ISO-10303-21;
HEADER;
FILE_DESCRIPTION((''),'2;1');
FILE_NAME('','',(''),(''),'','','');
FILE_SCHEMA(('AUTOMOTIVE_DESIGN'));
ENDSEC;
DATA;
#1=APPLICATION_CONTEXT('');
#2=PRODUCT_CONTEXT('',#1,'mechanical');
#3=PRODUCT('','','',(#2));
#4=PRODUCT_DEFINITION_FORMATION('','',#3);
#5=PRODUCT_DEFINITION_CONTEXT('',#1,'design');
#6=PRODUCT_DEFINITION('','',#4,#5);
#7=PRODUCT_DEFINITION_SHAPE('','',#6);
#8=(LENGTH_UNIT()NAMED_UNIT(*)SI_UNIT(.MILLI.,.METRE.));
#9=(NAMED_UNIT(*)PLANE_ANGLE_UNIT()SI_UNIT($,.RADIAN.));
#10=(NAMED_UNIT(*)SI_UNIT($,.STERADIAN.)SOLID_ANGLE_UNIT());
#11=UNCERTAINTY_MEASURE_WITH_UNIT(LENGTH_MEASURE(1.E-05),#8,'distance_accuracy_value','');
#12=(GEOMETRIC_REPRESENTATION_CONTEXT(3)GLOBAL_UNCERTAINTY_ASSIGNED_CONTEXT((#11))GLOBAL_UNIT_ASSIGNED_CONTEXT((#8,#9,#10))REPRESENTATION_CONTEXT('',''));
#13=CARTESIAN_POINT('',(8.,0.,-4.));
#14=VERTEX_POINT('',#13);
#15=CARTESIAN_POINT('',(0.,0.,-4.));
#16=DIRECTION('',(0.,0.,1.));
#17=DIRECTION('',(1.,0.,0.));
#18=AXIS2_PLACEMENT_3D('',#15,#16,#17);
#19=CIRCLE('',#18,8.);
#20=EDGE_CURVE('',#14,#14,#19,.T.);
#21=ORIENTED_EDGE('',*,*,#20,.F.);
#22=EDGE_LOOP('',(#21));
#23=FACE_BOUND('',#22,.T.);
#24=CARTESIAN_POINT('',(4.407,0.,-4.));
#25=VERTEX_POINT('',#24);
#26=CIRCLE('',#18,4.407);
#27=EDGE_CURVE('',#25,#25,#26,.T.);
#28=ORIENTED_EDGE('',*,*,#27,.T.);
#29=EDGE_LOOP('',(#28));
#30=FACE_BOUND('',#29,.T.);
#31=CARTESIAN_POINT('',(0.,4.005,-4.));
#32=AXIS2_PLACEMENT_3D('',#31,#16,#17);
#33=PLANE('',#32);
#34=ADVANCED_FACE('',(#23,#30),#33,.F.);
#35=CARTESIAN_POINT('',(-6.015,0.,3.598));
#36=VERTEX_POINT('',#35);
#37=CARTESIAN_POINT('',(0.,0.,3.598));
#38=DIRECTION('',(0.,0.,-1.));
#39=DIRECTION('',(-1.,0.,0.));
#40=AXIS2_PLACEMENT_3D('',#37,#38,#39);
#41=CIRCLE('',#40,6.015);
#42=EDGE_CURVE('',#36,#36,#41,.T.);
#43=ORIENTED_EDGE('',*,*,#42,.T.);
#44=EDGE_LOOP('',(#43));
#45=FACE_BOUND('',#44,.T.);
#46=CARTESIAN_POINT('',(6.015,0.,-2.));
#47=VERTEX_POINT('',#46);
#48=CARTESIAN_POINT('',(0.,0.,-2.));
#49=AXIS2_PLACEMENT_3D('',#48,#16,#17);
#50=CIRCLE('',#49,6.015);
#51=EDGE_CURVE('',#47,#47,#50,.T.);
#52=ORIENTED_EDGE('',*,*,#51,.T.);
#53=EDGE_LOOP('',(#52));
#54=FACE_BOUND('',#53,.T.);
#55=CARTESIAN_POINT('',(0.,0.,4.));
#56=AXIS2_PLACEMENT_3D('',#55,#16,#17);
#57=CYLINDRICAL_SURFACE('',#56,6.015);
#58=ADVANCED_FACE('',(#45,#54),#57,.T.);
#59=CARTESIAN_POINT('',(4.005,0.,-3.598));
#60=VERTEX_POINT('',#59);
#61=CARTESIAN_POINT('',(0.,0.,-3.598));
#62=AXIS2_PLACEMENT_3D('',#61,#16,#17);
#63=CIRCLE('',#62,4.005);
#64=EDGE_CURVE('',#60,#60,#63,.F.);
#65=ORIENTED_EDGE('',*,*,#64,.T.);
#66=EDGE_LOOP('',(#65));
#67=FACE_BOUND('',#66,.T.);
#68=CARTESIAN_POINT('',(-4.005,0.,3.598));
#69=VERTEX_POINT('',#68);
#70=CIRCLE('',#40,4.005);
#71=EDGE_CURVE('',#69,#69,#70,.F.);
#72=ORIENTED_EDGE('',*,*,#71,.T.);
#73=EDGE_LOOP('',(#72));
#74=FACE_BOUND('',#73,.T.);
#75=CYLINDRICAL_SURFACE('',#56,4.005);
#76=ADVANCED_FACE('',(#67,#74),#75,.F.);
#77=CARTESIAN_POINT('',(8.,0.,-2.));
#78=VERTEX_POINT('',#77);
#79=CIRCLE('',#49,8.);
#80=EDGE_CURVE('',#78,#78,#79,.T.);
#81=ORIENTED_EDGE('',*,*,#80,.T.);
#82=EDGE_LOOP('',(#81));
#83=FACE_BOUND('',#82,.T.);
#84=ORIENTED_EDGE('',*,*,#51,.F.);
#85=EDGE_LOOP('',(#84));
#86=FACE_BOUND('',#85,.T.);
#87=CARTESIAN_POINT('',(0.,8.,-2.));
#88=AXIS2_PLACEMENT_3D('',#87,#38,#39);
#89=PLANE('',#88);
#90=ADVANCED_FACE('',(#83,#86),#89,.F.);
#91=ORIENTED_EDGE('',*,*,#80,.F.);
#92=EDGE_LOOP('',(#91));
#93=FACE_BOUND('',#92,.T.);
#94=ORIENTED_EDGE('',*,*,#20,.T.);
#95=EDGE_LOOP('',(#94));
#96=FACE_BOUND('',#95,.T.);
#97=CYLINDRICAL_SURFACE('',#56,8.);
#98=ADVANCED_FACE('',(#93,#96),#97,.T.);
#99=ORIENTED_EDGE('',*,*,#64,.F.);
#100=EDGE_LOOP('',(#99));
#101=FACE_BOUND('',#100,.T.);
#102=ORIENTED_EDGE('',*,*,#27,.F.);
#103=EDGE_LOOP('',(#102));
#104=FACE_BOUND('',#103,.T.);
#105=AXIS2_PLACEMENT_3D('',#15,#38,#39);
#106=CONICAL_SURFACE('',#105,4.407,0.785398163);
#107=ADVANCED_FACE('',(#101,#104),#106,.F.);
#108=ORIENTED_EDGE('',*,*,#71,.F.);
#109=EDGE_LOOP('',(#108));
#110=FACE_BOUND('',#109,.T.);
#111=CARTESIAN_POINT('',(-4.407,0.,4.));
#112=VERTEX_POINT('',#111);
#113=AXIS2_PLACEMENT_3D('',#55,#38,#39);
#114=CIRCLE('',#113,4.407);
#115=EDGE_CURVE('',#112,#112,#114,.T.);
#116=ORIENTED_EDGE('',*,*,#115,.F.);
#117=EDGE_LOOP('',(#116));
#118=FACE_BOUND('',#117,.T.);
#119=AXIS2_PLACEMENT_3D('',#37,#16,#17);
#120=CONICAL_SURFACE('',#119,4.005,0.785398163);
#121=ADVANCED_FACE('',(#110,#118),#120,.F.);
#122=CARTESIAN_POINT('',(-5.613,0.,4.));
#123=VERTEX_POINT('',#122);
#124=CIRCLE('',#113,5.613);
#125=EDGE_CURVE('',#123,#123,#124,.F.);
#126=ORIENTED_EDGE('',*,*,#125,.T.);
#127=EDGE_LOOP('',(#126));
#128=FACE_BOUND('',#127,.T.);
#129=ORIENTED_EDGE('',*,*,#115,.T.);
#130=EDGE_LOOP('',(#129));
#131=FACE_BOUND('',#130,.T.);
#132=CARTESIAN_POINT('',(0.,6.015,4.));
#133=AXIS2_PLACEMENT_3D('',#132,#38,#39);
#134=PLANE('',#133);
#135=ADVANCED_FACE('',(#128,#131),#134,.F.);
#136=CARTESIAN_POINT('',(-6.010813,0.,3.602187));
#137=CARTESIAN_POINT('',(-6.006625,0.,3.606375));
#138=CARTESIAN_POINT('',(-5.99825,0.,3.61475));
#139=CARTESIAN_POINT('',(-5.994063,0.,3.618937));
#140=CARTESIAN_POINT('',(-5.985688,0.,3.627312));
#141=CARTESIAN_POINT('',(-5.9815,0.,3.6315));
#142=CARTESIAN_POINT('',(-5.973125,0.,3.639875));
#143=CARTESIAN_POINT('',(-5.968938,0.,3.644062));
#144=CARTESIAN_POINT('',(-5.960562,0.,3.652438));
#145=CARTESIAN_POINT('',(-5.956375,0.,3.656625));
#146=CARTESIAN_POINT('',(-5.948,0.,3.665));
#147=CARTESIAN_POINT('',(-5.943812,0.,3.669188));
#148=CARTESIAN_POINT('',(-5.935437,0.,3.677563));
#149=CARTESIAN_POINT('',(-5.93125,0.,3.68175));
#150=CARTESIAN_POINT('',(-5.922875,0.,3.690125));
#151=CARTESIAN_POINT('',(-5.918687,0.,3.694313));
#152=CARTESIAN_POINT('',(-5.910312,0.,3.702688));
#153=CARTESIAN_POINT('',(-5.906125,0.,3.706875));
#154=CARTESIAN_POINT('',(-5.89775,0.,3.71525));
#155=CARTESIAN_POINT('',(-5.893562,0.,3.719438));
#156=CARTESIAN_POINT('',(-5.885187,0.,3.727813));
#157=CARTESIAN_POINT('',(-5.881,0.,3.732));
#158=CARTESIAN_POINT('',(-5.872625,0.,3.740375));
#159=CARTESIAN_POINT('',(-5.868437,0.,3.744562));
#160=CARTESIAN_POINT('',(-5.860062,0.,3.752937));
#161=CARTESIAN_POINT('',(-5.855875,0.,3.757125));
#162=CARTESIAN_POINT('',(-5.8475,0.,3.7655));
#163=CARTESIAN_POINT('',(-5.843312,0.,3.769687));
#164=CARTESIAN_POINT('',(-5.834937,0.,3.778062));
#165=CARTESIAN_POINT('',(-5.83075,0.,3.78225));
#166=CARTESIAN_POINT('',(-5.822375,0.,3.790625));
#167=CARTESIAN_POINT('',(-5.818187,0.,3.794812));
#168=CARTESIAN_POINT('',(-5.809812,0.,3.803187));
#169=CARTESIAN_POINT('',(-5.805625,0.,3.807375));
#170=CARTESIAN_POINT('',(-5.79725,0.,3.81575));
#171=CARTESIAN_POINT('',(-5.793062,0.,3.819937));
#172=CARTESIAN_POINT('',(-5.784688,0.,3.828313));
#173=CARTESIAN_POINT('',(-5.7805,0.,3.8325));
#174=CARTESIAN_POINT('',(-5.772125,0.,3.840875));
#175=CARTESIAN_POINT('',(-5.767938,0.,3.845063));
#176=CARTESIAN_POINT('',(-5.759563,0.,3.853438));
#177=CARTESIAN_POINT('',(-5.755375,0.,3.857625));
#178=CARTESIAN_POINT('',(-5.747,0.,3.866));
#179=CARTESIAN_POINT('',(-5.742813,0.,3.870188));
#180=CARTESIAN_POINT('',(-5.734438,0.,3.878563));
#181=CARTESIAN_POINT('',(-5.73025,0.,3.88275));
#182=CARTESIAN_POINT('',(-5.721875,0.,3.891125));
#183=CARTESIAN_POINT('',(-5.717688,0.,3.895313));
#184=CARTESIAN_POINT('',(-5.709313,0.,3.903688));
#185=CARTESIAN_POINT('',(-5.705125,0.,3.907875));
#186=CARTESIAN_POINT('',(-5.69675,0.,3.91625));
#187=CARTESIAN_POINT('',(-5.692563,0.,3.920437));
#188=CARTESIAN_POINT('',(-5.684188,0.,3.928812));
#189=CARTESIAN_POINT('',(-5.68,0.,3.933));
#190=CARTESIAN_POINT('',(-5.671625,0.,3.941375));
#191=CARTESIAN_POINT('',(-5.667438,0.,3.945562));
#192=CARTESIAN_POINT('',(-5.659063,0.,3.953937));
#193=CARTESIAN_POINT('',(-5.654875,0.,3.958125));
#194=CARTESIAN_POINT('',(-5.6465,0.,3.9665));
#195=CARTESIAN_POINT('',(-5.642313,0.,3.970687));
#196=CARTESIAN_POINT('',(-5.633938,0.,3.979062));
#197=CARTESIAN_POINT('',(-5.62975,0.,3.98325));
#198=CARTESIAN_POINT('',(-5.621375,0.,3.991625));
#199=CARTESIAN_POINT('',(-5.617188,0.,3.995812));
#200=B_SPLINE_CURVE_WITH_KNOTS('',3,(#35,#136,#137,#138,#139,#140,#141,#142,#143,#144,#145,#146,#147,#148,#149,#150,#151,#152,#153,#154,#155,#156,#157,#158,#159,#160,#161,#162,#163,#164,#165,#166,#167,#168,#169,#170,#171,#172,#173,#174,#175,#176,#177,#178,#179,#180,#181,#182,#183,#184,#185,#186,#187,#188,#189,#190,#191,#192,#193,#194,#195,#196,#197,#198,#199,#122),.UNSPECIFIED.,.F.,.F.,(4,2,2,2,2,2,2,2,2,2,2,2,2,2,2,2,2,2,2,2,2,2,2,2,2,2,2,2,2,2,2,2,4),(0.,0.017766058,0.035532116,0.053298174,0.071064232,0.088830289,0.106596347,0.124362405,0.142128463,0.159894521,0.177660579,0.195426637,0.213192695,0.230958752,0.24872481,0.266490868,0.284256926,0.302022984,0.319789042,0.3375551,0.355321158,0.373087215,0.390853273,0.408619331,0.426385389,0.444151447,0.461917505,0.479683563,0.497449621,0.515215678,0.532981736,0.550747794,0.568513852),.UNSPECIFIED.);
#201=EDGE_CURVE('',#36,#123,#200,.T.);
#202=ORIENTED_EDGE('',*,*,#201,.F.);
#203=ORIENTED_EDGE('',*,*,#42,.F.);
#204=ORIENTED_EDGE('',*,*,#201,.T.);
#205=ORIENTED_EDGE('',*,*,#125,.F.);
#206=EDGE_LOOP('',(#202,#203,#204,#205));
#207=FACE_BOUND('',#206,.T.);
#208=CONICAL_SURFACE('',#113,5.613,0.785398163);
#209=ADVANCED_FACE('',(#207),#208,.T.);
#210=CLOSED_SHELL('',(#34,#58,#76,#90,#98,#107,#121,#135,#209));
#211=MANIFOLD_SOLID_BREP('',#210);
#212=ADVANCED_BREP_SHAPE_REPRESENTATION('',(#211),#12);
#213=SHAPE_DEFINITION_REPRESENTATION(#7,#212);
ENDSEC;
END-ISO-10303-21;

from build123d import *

# Parameters (mm, degrees)
CHAMFER1_SIZE = 0.402


with BuildPart() as part:
    # Sketch2 → Revolve1 (revolve)
    with BuildSketch(Plane(origin=(0, 0, 0), x_dir=(0, 0, -1), z_dir=(1, 0, 0)), mode=Mode.PRIVATE) as revolve1_sk:
        Polygon((-4, 4.005), (4, 4.005), (4, 8), (2, 8), (2, 6.015), (-4, 6.015), align=None)
    revolve(revolve1_sk.sketch.rotate(Axis((0, 0, 4), (0, 0, -1)), 90), axis=Axis((0, 0, 4), (0, 0, -1)))

    # Chamfer1
    chamfer1_edges = [part.edges().sort_by_distance(p)[0] for p in [
        (-4.005, 0, -4),
        (-4.005, 0, 4),
        (-6.015, 0, 4),
    ]]
    chamfer(chamfer1_edges, length=CHAMFER1_SIZE)


solid = part.part
